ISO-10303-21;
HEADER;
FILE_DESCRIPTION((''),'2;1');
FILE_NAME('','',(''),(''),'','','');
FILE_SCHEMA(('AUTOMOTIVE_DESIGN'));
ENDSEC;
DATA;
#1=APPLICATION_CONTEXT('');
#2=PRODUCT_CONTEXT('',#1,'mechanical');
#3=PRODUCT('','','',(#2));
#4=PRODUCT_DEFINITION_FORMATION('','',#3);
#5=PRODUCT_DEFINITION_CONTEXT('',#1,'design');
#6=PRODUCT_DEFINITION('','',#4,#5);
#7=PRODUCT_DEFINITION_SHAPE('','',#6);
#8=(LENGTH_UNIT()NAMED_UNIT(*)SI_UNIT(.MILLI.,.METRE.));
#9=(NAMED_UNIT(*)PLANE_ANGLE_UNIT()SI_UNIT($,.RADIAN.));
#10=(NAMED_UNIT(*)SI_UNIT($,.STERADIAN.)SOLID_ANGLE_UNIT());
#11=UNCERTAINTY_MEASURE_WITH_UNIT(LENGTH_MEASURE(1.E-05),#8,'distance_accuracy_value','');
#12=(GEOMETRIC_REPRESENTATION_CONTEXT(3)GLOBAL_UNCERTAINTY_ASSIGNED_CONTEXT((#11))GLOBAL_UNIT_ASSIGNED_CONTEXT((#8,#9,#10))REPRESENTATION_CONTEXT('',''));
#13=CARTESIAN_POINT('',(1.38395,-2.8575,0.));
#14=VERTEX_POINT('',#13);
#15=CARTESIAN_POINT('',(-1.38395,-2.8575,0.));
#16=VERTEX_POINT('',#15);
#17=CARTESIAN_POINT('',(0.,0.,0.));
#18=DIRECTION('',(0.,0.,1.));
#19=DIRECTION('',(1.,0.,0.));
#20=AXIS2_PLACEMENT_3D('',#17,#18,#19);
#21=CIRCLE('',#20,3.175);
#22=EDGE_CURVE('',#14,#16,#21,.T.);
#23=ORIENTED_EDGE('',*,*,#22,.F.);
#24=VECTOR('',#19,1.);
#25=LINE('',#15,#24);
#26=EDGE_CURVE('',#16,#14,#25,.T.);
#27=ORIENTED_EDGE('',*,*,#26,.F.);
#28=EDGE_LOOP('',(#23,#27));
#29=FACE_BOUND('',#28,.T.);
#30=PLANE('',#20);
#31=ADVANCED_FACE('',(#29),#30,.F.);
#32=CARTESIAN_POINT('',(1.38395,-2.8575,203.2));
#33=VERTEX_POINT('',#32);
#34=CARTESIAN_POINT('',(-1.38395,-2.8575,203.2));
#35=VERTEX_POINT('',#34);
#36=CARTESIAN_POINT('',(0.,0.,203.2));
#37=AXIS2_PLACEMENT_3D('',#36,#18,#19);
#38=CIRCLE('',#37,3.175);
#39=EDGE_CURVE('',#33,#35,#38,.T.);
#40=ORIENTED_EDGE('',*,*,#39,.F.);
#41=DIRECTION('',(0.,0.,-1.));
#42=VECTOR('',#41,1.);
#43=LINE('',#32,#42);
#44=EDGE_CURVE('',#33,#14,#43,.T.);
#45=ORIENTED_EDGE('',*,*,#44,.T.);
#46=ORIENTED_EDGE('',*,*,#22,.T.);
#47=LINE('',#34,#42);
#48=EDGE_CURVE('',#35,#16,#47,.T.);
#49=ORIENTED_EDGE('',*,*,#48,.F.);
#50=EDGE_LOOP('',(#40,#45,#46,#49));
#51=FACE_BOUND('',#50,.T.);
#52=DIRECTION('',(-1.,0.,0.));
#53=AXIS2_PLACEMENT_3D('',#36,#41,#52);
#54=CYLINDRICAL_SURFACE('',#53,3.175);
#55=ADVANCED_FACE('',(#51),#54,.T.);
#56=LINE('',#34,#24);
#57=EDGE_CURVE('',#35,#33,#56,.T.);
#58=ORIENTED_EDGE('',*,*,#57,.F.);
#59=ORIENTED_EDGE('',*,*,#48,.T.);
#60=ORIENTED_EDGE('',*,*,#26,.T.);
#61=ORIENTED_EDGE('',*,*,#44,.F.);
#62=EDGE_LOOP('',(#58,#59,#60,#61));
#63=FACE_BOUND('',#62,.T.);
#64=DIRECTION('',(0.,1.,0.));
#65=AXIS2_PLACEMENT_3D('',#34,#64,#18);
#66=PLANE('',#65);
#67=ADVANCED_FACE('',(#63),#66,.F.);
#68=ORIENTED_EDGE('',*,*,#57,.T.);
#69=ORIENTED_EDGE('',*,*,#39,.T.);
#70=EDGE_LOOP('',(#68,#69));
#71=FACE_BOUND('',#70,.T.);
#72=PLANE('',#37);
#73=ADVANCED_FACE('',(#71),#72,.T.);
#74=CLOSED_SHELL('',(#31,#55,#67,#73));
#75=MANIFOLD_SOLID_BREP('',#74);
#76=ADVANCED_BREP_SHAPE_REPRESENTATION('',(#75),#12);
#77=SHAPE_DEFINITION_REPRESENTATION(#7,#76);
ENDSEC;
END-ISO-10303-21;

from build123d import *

# Parameters (mm, degrees)
BOSS_EXTRUDE1_DEPTH = 203.2


with BuildPart() as part:
    # Sketch1 → Boss-Extrude1 (new body)
    with BuildSketch(Plane.XY):
        with BuildLine():
            Line((-1.383950415, -2.8575), (1.383950415, -2.8575))
            ThreePointArc((1.383950415, -2.8575), (0, 3.175), (-1.383950415, -2.8575))
        make_face()
    extrude(amount=BOSS_EXTRUDE1_DEPTH)


solid = part.part
